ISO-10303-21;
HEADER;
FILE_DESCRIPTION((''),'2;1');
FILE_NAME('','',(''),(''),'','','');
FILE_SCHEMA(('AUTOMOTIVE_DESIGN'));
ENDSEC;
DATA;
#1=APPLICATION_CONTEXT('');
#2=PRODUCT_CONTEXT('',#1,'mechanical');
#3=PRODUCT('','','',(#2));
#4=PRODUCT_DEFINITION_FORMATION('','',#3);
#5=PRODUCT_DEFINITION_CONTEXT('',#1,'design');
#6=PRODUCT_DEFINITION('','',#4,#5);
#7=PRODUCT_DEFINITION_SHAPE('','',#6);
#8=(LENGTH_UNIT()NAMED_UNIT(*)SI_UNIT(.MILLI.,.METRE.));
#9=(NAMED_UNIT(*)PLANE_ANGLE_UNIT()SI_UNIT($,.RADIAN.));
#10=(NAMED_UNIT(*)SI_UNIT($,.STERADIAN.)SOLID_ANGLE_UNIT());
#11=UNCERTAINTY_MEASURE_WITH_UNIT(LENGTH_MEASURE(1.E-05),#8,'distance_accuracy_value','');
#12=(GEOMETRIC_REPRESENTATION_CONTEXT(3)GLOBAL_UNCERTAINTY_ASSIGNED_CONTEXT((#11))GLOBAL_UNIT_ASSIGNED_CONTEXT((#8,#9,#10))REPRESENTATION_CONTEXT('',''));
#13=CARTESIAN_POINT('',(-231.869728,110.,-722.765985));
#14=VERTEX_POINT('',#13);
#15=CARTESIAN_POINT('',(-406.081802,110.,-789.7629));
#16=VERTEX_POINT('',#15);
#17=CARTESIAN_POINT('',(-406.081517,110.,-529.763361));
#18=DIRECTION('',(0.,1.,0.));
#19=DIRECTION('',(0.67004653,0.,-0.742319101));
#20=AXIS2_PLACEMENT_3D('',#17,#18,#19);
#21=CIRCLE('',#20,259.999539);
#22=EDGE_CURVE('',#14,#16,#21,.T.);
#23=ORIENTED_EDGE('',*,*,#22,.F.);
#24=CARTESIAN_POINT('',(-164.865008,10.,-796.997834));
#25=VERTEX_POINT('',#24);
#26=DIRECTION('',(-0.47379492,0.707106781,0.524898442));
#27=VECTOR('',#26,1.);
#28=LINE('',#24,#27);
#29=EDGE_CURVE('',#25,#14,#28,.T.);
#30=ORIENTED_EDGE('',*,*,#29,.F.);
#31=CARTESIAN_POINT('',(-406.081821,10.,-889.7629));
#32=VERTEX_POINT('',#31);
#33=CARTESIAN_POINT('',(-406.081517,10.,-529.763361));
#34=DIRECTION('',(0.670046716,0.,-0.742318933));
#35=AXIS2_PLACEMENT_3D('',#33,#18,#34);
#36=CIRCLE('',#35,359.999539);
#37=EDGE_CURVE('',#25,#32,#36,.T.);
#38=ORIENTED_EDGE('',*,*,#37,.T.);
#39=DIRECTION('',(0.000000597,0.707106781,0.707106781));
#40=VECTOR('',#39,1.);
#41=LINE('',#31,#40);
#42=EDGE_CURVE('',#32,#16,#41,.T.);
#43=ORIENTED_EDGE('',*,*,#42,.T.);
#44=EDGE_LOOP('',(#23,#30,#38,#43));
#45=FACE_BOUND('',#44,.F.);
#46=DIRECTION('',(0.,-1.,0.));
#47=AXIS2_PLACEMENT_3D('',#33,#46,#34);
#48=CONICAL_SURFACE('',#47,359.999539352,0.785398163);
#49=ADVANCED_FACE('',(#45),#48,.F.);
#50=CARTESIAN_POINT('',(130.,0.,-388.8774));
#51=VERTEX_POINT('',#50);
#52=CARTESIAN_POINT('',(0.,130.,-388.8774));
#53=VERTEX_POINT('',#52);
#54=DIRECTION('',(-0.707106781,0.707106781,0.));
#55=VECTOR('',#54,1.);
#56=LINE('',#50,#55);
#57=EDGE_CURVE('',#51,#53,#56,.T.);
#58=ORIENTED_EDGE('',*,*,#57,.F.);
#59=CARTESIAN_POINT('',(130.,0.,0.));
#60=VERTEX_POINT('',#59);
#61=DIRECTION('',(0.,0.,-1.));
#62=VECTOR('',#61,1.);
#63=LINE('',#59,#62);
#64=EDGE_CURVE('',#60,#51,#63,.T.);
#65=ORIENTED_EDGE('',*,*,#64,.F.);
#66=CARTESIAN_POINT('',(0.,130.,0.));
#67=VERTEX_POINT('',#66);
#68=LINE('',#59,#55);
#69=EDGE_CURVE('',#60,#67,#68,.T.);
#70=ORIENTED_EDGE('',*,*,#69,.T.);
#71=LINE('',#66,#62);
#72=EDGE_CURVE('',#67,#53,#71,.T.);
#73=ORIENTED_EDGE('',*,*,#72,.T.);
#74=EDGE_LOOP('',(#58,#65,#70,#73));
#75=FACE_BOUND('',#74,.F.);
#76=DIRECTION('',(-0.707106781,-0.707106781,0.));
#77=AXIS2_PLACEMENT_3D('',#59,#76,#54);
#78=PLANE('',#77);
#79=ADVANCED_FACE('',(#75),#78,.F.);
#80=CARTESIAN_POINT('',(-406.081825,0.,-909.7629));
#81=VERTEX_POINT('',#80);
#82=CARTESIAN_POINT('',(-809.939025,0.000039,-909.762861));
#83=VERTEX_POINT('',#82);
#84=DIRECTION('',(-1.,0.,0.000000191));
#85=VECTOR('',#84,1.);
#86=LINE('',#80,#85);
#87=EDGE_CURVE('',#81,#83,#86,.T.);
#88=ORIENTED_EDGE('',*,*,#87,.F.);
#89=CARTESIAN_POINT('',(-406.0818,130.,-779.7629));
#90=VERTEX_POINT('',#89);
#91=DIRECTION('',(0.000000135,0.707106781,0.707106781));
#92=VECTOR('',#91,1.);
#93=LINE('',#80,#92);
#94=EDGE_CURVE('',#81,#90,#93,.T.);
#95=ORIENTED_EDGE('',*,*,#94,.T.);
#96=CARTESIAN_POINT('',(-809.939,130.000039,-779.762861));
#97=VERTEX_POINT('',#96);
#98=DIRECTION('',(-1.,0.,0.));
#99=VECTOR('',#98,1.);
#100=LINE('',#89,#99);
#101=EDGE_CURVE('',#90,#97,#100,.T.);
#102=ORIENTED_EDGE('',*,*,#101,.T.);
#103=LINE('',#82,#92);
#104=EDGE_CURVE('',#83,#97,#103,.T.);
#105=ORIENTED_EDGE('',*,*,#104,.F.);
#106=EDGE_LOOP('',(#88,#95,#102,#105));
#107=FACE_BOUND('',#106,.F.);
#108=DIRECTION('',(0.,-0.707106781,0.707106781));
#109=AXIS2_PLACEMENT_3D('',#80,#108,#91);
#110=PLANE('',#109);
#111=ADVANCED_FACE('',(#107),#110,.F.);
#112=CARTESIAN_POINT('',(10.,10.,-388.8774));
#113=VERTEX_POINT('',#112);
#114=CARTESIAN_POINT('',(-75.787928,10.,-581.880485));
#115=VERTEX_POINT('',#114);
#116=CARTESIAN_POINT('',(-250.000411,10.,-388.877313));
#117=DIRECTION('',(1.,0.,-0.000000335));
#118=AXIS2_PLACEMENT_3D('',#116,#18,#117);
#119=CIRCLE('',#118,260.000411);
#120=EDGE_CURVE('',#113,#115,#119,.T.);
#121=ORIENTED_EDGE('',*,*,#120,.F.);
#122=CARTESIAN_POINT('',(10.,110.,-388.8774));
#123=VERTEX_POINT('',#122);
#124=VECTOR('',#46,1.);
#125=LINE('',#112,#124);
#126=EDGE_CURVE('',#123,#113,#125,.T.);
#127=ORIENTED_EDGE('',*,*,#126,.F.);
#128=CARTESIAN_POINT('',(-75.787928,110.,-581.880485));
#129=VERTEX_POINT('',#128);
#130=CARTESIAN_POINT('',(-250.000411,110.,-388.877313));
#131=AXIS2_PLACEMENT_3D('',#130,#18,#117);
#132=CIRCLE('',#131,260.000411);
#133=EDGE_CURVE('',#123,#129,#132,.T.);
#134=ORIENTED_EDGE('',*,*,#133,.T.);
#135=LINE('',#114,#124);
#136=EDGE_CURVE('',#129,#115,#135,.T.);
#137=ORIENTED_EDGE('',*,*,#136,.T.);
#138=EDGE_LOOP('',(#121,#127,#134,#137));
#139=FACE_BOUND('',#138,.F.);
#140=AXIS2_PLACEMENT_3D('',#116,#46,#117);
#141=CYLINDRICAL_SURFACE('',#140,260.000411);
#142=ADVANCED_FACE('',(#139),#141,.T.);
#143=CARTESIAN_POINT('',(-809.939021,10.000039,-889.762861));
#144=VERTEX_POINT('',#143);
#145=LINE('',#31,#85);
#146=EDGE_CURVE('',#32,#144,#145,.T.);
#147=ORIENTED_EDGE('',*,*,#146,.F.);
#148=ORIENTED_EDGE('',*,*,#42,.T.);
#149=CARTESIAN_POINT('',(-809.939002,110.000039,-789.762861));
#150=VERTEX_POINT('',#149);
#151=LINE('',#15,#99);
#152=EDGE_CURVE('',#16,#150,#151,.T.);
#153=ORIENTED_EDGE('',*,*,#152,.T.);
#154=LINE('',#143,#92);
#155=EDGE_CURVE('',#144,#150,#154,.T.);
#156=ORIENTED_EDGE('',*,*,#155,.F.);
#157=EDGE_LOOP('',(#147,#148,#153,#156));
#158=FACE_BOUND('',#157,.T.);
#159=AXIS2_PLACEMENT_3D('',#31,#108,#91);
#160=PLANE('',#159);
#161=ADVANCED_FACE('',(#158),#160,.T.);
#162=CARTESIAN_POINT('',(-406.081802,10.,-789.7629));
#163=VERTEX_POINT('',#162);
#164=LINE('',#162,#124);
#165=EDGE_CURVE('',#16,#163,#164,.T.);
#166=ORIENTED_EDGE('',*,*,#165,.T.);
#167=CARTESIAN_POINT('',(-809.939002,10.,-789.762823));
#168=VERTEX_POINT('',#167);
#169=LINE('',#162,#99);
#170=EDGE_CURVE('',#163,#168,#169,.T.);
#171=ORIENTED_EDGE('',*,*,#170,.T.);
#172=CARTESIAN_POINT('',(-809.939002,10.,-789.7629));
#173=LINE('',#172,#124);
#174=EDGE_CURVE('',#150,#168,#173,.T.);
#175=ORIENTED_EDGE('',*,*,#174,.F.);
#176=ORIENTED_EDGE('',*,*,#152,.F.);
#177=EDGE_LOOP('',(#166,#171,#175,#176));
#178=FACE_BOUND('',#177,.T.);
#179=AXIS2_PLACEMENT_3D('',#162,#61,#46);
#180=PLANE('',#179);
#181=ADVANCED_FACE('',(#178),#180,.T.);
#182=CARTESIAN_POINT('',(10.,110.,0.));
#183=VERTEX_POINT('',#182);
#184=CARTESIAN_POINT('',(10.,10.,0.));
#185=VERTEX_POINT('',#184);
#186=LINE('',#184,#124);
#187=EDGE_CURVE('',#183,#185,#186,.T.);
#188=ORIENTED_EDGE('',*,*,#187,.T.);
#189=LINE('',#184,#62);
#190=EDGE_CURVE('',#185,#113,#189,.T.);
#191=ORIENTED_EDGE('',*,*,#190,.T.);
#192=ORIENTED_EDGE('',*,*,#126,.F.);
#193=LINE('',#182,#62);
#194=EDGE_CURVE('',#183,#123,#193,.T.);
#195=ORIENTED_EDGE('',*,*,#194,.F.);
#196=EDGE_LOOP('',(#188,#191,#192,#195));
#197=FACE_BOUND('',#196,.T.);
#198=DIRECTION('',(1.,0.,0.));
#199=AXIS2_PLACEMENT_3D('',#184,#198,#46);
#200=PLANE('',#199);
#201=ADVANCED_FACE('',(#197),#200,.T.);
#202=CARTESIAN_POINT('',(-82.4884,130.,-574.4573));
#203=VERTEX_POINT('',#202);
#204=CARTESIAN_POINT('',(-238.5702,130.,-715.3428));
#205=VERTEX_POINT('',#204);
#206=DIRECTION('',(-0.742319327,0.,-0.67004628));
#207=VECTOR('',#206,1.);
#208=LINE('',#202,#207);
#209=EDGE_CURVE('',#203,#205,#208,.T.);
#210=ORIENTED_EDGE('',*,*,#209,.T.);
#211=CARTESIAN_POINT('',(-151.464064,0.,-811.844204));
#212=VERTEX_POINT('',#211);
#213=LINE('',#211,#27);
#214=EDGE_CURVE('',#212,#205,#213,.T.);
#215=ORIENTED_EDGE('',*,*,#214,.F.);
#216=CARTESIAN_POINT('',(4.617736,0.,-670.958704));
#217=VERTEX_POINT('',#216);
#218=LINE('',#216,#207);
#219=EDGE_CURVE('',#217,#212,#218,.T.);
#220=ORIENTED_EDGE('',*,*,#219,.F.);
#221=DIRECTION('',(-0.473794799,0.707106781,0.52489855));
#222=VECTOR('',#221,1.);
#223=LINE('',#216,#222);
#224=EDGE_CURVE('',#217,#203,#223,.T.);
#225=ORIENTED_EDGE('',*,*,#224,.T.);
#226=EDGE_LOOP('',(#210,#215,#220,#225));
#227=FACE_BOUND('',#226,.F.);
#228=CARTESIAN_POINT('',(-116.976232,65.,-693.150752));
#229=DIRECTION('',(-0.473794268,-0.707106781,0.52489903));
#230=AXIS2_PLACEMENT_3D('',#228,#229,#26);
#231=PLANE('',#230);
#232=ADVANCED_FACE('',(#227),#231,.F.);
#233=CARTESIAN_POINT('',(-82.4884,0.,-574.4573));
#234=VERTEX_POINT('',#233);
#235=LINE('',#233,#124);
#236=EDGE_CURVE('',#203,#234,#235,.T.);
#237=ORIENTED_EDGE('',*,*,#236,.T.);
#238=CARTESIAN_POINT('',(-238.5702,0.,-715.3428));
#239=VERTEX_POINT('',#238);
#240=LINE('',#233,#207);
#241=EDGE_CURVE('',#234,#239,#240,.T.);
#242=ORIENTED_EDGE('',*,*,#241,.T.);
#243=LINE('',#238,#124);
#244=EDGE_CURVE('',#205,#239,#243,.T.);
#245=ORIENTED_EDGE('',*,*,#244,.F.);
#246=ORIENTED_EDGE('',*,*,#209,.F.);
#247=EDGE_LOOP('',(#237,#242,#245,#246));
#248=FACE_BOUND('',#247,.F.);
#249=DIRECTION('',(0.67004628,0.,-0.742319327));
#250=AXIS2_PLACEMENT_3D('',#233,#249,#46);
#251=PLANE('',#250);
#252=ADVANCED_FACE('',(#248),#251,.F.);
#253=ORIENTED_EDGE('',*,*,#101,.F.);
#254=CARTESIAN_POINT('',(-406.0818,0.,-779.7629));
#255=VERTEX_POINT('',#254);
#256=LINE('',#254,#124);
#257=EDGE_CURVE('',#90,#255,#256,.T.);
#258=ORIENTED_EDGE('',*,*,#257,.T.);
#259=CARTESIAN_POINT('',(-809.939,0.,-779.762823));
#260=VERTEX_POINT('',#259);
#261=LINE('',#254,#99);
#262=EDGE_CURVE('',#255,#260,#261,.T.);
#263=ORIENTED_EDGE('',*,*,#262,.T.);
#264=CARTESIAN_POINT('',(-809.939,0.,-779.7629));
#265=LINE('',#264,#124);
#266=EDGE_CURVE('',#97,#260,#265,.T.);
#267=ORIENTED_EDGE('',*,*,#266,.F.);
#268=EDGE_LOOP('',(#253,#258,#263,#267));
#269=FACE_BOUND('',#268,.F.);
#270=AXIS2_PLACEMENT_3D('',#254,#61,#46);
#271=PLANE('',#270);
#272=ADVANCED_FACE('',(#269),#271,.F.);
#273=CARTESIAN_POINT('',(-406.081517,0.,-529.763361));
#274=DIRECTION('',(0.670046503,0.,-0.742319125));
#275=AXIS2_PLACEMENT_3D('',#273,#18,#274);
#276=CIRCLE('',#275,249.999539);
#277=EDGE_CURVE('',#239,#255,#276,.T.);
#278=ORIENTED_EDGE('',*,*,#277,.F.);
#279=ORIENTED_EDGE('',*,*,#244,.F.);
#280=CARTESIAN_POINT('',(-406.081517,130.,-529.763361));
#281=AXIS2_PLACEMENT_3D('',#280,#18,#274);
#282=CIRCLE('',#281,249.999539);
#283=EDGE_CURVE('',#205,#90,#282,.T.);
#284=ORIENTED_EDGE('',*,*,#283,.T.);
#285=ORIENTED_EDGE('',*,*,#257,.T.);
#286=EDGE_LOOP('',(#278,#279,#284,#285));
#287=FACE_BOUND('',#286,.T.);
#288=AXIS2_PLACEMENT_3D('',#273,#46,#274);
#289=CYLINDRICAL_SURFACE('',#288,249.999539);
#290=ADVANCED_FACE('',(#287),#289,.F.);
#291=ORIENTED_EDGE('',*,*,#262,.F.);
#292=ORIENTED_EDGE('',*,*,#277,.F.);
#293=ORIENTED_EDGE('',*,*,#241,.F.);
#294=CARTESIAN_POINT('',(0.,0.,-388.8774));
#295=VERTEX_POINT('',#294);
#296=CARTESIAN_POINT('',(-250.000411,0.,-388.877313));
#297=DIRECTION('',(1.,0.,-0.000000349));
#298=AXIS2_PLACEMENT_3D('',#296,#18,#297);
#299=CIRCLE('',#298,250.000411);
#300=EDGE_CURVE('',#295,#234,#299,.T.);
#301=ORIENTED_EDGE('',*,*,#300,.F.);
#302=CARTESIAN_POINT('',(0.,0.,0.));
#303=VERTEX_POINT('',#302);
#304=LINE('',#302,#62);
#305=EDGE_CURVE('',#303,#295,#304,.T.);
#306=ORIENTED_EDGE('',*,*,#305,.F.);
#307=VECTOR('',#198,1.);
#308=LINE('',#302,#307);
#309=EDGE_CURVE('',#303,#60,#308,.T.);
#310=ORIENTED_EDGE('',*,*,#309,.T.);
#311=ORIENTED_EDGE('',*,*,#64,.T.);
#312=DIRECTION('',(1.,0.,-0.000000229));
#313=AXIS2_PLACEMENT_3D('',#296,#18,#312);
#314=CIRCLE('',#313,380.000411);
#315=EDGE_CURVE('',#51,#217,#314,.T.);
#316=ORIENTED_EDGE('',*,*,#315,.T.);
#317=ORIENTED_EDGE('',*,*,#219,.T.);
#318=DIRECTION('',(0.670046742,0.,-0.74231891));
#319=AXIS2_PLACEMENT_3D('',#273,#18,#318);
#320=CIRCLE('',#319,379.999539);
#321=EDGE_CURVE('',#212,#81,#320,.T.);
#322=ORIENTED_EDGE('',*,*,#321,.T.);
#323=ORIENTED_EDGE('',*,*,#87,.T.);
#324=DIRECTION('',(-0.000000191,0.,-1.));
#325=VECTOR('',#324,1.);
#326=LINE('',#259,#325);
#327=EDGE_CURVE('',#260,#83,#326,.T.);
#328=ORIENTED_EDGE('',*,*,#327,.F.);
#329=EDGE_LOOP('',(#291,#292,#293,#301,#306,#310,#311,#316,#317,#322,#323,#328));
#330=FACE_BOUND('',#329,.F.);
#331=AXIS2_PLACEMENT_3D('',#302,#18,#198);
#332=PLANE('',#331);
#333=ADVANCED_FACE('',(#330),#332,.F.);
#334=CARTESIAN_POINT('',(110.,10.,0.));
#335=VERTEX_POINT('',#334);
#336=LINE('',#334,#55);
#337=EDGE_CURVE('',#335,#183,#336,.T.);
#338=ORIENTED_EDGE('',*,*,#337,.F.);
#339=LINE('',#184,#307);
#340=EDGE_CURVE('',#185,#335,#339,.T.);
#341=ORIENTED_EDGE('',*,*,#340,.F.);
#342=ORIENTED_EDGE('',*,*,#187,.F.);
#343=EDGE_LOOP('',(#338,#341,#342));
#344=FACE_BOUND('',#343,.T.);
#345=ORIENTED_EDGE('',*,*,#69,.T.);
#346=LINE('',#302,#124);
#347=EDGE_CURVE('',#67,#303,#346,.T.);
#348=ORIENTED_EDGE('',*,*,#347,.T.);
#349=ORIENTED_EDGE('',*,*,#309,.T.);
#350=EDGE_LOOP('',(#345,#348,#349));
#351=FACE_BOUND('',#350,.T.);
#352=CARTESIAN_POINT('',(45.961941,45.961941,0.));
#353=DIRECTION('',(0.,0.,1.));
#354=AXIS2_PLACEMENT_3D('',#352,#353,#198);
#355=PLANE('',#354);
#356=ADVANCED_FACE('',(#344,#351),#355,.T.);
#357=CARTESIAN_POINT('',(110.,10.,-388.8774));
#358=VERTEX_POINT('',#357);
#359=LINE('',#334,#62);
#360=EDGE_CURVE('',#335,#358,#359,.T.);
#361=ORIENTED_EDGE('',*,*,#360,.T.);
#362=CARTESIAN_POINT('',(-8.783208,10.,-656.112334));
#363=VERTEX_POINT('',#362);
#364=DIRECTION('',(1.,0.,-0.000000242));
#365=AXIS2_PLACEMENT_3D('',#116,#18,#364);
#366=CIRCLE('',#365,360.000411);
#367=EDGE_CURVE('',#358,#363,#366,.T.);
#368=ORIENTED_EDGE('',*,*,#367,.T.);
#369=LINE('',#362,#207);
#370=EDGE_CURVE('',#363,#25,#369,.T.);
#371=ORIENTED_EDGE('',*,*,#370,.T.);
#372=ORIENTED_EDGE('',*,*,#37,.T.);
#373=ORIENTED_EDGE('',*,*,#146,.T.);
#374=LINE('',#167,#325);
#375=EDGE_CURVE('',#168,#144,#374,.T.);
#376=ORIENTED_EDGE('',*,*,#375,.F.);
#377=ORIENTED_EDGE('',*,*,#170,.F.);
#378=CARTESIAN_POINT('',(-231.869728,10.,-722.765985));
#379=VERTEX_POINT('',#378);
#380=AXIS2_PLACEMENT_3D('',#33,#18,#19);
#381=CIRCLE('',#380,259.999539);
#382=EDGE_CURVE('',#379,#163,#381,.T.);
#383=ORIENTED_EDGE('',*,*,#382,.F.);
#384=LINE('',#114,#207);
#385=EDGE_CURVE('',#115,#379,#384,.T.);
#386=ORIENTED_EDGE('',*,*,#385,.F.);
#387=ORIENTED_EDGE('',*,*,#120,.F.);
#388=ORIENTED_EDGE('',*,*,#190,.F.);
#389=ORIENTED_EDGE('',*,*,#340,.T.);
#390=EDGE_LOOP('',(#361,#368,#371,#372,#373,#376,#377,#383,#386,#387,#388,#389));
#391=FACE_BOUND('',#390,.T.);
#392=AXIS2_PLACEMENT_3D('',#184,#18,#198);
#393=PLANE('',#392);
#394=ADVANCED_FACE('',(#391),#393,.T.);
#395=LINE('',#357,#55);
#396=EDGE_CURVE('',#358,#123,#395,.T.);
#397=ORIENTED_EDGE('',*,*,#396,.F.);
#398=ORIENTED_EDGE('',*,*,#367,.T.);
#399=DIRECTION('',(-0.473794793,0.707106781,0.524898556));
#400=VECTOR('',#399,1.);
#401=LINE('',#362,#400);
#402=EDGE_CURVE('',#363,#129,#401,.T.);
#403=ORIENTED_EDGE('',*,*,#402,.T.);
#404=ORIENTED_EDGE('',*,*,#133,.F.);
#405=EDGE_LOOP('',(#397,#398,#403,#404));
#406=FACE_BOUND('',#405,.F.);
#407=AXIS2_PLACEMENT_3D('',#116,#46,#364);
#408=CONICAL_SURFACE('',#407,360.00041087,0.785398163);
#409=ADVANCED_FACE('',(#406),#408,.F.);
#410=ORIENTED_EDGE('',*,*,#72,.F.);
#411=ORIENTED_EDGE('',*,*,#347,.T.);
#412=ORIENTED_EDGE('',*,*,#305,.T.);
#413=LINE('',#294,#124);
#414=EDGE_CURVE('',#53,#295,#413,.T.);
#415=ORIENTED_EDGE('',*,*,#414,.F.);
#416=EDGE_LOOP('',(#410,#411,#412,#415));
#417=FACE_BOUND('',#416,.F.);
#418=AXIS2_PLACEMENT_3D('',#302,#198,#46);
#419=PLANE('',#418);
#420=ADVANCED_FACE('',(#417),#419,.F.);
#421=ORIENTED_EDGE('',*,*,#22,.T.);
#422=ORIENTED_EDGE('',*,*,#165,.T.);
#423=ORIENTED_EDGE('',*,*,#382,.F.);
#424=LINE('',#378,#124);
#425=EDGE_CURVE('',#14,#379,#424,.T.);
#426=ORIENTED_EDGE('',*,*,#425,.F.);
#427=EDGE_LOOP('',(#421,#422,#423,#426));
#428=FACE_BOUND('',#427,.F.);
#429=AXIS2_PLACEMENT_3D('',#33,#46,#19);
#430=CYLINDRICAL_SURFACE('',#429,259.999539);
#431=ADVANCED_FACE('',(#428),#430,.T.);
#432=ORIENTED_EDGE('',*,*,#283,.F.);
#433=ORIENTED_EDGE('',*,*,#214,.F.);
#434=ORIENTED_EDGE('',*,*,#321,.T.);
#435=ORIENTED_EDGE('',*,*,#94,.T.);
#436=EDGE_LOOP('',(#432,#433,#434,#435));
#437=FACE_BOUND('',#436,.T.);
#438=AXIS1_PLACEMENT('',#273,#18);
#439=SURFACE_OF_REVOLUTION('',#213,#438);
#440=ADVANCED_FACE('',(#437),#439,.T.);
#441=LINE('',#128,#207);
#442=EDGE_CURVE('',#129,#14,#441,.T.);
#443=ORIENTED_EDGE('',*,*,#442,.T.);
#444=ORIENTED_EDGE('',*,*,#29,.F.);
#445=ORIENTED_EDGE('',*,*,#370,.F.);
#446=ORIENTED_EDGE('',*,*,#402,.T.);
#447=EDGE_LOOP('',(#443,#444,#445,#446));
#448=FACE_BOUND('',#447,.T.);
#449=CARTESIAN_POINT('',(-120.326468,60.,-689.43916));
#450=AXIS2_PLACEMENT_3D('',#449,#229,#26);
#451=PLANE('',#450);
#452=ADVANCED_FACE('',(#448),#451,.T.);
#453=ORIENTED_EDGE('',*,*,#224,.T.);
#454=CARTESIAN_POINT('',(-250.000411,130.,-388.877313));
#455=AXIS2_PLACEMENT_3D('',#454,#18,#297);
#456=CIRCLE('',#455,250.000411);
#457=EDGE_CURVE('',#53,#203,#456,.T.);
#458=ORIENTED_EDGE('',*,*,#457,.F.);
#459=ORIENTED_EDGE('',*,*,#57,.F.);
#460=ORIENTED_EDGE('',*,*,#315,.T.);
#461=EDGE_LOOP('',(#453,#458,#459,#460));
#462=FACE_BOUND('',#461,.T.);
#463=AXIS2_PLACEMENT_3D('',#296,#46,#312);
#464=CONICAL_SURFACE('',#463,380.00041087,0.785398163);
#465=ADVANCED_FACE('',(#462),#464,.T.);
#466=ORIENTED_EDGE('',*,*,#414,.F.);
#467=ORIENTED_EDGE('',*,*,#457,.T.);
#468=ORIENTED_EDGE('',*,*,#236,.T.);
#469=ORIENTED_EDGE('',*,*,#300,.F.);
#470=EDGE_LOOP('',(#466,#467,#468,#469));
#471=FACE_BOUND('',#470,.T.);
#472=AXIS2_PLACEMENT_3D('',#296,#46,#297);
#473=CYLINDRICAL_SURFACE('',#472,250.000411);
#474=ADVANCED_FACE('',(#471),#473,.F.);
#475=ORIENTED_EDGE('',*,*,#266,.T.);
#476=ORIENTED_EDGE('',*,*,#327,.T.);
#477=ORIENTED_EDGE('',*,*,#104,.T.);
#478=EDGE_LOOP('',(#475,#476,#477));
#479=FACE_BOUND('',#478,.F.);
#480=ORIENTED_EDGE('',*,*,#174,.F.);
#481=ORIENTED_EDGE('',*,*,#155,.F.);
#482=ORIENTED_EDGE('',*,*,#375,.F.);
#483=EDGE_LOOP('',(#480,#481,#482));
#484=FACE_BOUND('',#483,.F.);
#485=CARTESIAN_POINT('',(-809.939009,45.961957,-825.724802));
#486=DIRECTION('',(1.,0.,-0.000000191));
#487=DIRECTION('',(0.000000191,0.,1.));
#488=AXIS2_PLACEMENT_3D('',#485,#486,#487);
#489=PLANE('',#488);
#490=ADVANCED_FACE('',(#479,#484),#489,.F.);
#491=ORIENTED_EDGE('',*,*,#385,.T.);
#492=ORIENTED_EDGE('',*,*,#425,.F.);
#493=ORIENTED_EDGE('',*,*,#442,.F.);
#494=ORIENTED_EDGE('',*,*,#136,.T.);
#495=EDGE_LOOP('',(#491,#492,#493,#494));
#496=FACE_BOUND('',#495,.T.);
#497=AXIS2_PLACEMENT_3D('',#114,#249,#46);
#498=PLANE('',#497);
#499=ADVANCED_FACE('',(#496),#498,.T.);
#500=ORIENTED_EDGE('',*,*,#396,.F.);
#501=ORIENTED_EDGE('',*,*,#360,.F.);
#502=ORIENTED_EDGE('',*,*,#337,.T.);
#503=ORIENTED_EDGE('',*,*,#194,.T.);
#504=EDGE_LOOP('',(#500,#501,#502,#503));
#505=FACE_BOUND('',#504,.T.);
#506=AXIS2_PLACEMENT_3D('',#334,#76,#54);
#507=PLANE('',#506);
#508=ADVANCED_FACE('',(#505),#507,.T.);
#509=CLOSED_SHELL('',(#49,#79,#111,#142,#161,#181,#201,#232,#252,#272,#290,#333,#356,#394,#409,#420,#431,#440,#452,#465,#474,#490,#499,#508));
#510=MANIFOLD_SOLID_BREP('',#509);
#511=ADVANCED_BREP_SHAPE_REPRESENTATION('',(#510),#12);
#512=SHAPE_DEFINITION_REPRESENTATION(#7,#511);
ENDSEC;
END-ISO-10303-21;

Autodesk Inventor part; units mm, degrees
ref_plane "YZ Plane" through (0, 0, 0) normal (1, 0, 0) x (0, 1, 0)
ref_plane "XZ Plane" through (0, 0, 0) normal (0, 1, 0) x (-1, 0, 0)
ref_plane "XY Plane" through (0, 0, 0) normal (0, 0, 1) x (1, 0, 0)
sketch "Эскиз1" plane through (0, 0, 0) normal (0, 0, 1) x (1, 0, 0)
  line L0 (0, 0) -> (0, 130)
  line L1 (0, 0) -> (130, 0)
  line L2 (130, 0) -> (0, 130)
  dimension "d0" = 130
  dimension "d1" = 130
sketch "Эскиз2" plane through (0, 0, 0) normal (0, 1, 0) x (-1, 0, 0)
  point P0 (0, 0)
sketch "Эскиз3" plane through (0, 0, 0) normal (0, 1, 0) x (-1, 0, 0)
  point P0 (0, 0)
sketch "Эскиз4" plane through (0, 0, 0) normal (0, 0, 1) x (1, 0, 0)
  line L0 (0, 0) -> (10, 0)
  line L1 (10, 10) -> (10, 110)
  line L2 (10, 10) -> (110, 10)
  line L3 (110, 10) -> (10, 110)
  dimension "d3" = 10
  dimension "d4" = 100
  dimension "d5" = 100
sketch "Эскиз5" plane through (0, 0, 0) normal (0, 1, 0) x (-1, 0, 0)
  line L0 (0, 0) -> (0, -388.8774)
  line L1 (82.4884, -574.4573) -> (238.5702, -715.3428)
  line L2 (406.0818, -779.7629) -> (809.939, -779.7629)
  arc A0 (0, -388.8774) -> (82.4884, -574.4573) centre (250, -388.8774) ccw
  arc A1 (238.5702, -715.3428) -> (406.0818, -779.7629) centre (406.0818, -529.7629) ccw
  point P0 (0, -500)
  point P1 (309.939, -779.7629)
  dimension "d6" = 500
  dimension "d7" = 500
  dimension "d8" = 250
sketch "Эскиз6" plane through (0, 0, 0) normal (0, 1, 0) x (-1, 0, 0)
  point P0 (0, 0)
sketch "Эскиз7" plane through (0, 0, 0) normal (0, 0, 1) x (1, 0, 0)
  point P0 (0, 0)
sweep "Сдвиг1" add profiles "Эскиз1" path "Эскиз5"
sketch3d "3D эскиз1"
  line L0 (0, 0, 0) -> (0, 0, -388.8774)
  arc A0 (0, 0, -388.8774) -> (-82.4884, 0, -574.4573) centre (-250, 0, -388.8774) ccw
  line L1 (-82.4884, 0, -574.4573) -> (-238.5702, 0, -715.3428)
  arc A1 (-238.5702, 0, -715.3428) -> (-406.0818, 0, -779.7629) centre (-406.0818, 0, -529.7629) ccw
  line L2 (-406.0818, 0, -779.7629) -> (-809.939, 0, -779.7629)
sweep "Сдвиг2" cut profiles "Эскиз4" path "3D эскиз1"
properties part number "lab_4_4"
